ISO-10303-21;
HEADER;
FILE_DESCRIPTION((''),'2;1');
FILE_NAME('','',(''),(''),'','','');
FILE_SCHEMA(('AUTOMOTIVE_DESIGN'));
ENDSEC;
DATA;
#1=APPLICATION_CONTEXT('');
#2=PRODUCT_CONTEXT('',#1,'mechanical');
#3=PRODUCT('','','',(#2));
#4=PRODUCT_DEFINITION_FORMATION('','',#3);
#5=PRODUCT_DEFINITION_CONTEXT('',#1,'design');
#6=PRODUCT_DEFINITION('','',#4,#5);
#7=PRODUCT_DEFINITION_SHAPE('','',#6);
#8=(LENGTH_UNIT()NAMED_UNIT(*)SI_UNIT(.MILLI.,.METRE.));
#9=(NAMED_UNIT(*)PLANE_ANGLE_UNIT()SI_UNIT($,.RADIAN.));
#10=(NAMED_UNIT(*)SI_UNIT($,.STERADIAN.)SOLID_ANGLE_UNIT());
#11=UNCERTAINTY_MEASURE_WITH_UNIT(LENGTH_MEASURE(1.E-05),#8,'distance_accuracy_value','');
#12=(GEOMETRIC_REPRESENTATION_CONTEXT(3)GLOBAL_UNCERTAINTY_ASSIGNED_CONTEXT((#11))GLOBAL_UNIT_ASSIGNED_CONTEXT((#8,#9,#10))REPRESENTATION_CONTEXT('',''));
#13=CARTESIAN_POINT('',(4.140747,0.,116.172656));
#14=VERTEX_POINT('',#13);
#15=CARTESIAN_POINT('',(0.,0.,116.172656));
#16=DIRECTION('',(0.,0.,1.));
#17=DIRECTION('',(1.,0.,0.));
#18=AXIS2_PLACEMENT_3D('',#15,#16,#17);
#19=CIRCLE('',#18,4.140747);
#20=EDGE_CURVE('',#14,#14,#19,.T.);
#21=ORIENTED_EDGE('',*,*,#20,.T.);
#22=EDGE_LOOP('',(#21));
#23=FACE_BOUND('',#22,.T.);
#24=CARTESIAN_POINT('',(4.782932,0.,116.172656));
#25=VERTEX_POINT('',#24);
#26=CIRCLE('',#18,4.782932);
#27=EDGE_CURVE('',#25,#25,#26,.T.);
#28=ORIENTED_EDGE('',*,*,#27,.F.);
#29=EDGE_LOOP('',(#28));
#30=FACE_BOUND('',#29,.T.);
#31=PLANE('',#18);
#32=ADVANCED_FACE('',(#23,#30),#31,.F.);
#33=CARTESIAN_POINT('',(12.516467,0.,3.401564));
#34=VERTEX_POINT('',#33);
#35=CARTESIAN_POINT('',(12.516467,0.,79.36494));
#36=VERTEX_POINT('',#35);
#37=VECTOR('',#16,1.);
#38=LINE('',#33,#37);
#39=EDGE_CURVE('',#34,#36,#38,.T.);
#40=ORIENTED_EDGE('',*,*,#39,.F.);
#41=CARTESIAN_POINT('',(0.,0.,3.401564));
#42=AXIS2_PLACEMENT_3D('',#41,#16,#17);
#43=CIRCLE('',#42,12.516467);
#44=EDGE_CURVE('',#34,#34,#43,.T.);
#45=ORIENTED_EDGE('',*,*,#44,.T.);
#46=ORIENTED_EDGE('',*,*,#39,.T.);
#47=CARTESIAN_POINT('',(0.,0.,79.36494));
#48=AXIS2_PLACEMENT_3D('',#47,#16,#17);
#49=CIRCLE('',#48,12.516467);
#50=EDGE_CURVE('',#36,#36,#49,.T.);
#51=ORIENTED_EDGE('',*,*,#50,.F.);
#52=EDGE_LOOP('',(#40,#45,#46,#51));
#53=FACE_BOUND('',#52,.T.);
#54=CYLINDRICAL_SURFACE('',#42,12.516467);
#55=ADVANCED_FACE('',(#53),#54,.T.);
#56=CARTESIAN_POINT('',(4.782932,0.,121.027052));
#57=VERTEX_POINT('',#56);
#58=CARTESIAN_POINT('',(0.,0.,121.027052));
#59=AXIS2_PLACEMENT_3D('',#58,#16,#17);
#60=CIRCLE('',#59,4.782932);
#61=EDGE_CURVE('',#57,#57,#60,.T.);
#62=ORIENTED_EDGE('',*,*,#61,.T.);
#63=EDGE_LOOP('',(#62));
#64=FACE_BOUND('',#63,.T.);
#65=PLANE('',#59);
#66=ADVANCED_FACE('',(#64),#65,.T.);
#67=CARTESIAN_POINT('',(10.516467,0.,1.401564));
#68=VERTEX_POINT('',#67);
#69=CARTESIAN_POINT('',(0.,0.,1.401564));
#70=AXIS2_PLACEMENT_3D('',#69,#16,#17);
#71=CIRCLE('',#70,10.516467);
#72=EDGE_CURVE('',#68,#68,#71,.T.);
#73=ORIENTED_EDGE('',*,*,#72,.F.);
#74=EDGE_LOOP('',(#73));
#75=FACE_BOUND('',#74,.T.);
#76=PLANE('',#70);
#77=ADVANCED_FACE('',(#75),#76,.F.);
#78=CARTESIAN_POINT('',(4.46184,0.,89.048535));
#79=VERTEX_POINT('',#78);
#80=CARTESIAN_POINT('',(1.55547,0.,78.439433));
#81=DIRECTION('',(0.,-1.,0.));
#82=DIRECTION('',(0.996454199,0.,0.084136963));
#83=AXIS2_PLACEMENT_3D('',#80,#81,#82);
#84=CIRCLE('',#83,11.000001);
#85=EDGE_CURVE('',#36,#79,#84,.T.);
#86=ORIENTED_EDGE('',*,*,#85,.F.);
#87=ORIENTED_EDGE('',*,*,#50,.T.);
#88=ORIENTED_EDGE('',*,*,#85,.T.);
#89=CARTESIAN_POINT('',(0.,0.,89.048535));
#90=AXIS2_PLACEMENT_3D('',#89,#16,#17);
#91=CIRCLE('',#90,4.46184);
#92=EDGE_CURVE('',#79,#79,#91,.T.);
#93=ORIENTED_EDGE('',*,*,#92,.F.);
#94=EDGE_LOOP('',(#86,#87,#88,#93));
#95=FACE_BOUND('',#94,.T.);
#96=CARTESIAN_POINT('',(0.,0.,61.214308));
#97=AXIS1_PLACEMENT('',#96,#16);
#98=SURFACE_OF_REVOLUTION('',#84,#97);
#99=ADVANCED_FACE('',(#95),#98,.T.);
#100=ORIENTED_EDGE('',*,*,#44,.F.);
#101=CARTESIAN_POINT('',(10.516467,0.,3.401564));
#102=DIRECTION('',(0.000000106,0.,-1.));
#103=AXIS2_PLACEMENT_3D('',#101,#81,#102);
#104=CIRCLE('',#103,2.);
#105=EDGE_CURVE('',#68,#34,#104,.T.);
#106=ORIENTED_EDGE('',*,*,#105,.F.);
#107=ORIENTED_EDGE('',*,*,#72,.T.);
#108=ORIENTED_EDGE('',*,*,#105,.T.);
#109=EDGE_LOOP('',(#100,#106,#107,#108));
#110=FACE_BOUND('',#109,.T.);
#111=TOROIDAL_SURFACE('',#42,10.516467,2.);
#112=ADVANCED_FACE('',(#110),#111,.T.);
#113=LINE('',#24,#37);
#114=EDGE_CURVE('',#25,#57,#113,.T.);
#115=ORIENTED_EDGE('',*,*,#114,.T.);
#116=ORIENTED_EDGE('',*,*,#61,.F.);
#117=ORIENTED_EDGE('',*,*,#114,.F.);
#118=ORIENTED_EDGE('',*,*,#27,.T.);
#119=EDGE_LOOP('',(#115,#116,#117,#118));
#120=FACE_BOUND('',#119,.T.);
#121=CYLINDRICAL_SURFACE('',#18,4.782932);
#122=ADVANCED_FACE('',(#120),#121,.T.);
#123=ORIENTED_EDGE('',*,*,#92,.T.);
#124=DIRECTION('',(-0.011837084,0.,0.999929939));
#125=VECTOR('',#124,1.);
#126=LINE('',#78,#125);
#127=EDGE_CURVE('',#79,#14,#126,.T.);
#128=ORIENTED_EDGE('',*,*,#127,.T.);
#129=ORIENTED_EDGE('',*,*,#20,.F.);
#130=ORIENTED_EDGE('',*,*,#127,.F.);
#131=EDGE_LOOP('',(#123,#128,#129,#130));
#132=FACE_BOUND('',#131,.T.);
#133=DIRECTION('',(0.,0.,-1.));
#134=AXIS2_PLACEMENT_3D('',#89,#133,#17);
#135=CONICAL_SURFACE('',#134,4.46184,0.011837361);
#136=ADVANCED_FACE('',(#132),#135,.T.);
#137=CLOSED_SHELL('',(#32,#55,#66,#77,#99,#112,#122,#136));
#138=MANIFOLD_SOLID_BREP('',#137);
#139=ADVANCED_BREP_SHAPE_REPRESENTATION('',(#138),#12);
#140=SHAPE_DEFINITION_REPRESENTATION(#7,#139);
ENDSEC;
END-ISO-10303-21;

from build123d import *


with BuildPart() as f1:
    # F0 (on Front) → F1 (revolve)
    with BuildSketch(Plane.XZ):
        with BuildLine():
            Line((12.516467, 3.574154), (12.516467, 79.36494))
            ThreePointArc((12.516467, 79.36494), (10.012359, 85.47371), (4.46184, 89.048535))
            Line((4.46184, 89.048535), (4.140747, 116.172656))
            Line((4.140747, 116.172656), (4.782932, 116.172656))
            Line((4.782932, 116.172656), (4.782932, 121.027052))
            Line((4.782932, 121.027052), (0, 121.027052))
            Line((0, 121.027052), (0, 1.401564))
            Line((0, 1.401564), (10.330403, 1.401564))
            Line((10.330403, 1.401564), (10.516467, 1.401564))
            ThreePointArc((10.516467, 1.401564), (11.93068, 1.98735), (12.516467, 3.401564))
            Line((12.516467, 3.401564), (12.516467, 3.574154))
        make_face()
    revolve(axis=Axis((0, 0, 61.214308), (0, 0, 1)))


solid = f1.part
